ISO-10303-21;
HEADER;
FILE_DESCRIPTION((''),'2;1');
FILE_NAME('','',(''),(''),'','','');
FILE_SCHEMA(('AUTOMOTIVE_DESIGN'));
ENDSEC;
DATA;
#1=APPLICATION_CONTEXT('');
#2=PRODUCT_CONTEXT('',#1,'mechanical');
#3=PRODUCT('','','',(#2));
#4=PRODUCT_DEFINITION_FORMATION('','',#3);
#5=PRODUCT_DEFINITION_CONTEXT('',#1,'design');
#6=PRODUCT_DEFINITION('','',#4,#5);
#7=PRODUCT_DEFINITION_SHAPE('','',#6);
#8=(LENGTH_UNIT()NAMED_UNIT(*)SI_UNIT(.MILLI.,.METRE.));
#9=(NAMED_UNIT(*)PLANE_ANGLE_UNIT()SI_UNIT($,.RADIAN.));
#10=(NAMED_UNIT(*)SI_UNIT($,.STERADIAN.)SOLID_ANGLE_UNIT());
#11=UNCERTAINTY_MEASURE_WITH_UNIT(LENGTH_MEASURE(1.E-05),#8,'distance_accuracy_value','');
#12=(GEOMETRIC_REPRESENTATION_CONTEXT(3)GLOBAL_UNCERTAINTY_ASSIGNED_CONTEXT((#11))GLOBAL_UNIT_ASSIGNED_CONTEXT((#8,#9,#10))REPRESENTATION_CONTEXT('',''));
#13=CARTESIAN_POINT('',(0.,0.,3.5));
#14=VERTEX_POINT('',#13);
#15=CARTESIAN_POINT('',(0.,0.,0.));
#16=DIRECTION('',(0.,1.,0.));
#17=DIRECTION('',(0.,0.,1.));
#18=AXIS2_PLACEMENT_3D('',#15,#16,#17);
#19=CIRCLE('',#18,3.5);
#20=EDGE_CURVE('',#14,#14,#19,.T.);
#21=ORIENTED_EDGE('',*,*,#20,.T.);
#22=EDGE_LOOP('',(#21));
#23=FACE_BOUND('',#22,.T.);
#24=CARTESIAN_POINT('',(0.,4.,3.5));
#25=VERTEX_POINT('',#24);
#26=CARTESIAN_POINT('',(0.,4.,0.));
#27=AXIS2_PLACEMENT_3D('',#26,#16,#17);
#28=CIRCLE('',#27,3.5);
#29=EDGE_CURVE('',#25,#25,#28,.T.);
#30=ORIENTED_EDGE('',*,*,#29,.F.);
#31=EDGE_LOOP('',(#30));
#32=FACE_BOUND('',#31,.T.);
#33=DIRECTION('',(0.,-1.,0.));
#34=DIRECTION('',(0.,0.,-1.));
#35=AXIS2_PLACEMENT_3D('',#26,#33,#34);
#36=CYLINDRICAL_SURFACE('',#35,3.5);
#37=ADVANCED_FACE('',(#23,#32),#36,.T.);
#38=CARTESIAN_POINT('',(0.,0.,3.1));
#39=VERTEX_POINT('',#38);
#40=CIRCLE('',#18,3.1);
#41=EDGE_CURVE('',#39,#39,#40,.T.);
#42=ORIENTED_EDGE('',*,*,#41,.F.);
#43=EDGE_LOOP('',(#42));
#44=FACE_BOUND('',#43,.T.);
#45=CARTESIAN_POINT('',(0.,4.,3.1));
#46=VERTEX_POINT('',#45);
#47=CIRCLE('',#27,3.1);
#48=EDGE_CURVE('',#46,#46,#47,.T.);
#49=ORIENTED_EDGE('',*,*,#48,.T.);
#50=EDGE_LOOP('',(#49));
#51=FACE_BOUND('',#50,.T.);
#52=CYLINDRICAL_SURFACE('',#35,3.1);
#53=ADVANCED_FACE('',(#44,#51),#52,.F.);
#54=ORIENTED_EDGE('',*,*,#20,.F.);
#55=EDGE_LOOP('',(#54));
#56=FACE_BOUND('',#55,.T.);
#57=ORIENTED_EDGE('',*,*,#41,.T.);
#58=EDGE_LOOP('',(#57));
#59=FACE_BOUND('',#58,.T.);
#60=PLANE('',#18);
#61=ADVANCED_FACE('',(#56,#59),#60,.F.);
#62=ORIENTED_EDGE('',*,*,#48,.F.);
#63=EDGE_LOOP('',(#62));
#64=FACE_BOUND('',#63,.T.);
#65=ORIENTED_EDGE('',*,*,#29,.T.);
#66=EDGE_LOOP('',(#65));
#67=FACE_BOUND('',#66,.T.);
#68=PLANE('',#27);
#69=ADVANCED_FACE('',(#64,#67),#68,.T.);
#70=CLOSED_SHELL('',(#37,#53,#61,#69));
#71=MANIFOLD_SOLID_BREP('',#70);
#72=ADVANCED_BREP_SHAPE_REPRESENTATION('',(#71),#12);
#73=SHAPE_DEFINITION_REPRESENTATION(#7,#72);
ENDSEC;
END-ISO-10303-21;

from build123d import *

# Parameters (mm, degrees)
IZIM2_R                     = 3.5
IZIM2_R_2                   = 3.1
Y_KSEKLIK_EKSTR_ZYON1_DEPTH = 4


with BuildPart() as part:
    # Çizim2 → Yükseklik-Ekstrüzyon1 (new body)
    with BuildSketch(Plane(origin=(0, 0, 0), x_dir=(1, 0, 0), z_dir=(0, 1, 0))):
        with Locations(Location((0, 0, 0), (0, 0, 270))):
            Circle(IZIM2_R)
        with Locations(Location((0, 0, 0), (0, 0, 270))):
            Circle(IZIM2_R_2, mode=Mode.SUBTRACT)
    extrude(amount=Y_KSEKLIK_EKSTR_ZYON1_DEPTH)


solid = part.part
